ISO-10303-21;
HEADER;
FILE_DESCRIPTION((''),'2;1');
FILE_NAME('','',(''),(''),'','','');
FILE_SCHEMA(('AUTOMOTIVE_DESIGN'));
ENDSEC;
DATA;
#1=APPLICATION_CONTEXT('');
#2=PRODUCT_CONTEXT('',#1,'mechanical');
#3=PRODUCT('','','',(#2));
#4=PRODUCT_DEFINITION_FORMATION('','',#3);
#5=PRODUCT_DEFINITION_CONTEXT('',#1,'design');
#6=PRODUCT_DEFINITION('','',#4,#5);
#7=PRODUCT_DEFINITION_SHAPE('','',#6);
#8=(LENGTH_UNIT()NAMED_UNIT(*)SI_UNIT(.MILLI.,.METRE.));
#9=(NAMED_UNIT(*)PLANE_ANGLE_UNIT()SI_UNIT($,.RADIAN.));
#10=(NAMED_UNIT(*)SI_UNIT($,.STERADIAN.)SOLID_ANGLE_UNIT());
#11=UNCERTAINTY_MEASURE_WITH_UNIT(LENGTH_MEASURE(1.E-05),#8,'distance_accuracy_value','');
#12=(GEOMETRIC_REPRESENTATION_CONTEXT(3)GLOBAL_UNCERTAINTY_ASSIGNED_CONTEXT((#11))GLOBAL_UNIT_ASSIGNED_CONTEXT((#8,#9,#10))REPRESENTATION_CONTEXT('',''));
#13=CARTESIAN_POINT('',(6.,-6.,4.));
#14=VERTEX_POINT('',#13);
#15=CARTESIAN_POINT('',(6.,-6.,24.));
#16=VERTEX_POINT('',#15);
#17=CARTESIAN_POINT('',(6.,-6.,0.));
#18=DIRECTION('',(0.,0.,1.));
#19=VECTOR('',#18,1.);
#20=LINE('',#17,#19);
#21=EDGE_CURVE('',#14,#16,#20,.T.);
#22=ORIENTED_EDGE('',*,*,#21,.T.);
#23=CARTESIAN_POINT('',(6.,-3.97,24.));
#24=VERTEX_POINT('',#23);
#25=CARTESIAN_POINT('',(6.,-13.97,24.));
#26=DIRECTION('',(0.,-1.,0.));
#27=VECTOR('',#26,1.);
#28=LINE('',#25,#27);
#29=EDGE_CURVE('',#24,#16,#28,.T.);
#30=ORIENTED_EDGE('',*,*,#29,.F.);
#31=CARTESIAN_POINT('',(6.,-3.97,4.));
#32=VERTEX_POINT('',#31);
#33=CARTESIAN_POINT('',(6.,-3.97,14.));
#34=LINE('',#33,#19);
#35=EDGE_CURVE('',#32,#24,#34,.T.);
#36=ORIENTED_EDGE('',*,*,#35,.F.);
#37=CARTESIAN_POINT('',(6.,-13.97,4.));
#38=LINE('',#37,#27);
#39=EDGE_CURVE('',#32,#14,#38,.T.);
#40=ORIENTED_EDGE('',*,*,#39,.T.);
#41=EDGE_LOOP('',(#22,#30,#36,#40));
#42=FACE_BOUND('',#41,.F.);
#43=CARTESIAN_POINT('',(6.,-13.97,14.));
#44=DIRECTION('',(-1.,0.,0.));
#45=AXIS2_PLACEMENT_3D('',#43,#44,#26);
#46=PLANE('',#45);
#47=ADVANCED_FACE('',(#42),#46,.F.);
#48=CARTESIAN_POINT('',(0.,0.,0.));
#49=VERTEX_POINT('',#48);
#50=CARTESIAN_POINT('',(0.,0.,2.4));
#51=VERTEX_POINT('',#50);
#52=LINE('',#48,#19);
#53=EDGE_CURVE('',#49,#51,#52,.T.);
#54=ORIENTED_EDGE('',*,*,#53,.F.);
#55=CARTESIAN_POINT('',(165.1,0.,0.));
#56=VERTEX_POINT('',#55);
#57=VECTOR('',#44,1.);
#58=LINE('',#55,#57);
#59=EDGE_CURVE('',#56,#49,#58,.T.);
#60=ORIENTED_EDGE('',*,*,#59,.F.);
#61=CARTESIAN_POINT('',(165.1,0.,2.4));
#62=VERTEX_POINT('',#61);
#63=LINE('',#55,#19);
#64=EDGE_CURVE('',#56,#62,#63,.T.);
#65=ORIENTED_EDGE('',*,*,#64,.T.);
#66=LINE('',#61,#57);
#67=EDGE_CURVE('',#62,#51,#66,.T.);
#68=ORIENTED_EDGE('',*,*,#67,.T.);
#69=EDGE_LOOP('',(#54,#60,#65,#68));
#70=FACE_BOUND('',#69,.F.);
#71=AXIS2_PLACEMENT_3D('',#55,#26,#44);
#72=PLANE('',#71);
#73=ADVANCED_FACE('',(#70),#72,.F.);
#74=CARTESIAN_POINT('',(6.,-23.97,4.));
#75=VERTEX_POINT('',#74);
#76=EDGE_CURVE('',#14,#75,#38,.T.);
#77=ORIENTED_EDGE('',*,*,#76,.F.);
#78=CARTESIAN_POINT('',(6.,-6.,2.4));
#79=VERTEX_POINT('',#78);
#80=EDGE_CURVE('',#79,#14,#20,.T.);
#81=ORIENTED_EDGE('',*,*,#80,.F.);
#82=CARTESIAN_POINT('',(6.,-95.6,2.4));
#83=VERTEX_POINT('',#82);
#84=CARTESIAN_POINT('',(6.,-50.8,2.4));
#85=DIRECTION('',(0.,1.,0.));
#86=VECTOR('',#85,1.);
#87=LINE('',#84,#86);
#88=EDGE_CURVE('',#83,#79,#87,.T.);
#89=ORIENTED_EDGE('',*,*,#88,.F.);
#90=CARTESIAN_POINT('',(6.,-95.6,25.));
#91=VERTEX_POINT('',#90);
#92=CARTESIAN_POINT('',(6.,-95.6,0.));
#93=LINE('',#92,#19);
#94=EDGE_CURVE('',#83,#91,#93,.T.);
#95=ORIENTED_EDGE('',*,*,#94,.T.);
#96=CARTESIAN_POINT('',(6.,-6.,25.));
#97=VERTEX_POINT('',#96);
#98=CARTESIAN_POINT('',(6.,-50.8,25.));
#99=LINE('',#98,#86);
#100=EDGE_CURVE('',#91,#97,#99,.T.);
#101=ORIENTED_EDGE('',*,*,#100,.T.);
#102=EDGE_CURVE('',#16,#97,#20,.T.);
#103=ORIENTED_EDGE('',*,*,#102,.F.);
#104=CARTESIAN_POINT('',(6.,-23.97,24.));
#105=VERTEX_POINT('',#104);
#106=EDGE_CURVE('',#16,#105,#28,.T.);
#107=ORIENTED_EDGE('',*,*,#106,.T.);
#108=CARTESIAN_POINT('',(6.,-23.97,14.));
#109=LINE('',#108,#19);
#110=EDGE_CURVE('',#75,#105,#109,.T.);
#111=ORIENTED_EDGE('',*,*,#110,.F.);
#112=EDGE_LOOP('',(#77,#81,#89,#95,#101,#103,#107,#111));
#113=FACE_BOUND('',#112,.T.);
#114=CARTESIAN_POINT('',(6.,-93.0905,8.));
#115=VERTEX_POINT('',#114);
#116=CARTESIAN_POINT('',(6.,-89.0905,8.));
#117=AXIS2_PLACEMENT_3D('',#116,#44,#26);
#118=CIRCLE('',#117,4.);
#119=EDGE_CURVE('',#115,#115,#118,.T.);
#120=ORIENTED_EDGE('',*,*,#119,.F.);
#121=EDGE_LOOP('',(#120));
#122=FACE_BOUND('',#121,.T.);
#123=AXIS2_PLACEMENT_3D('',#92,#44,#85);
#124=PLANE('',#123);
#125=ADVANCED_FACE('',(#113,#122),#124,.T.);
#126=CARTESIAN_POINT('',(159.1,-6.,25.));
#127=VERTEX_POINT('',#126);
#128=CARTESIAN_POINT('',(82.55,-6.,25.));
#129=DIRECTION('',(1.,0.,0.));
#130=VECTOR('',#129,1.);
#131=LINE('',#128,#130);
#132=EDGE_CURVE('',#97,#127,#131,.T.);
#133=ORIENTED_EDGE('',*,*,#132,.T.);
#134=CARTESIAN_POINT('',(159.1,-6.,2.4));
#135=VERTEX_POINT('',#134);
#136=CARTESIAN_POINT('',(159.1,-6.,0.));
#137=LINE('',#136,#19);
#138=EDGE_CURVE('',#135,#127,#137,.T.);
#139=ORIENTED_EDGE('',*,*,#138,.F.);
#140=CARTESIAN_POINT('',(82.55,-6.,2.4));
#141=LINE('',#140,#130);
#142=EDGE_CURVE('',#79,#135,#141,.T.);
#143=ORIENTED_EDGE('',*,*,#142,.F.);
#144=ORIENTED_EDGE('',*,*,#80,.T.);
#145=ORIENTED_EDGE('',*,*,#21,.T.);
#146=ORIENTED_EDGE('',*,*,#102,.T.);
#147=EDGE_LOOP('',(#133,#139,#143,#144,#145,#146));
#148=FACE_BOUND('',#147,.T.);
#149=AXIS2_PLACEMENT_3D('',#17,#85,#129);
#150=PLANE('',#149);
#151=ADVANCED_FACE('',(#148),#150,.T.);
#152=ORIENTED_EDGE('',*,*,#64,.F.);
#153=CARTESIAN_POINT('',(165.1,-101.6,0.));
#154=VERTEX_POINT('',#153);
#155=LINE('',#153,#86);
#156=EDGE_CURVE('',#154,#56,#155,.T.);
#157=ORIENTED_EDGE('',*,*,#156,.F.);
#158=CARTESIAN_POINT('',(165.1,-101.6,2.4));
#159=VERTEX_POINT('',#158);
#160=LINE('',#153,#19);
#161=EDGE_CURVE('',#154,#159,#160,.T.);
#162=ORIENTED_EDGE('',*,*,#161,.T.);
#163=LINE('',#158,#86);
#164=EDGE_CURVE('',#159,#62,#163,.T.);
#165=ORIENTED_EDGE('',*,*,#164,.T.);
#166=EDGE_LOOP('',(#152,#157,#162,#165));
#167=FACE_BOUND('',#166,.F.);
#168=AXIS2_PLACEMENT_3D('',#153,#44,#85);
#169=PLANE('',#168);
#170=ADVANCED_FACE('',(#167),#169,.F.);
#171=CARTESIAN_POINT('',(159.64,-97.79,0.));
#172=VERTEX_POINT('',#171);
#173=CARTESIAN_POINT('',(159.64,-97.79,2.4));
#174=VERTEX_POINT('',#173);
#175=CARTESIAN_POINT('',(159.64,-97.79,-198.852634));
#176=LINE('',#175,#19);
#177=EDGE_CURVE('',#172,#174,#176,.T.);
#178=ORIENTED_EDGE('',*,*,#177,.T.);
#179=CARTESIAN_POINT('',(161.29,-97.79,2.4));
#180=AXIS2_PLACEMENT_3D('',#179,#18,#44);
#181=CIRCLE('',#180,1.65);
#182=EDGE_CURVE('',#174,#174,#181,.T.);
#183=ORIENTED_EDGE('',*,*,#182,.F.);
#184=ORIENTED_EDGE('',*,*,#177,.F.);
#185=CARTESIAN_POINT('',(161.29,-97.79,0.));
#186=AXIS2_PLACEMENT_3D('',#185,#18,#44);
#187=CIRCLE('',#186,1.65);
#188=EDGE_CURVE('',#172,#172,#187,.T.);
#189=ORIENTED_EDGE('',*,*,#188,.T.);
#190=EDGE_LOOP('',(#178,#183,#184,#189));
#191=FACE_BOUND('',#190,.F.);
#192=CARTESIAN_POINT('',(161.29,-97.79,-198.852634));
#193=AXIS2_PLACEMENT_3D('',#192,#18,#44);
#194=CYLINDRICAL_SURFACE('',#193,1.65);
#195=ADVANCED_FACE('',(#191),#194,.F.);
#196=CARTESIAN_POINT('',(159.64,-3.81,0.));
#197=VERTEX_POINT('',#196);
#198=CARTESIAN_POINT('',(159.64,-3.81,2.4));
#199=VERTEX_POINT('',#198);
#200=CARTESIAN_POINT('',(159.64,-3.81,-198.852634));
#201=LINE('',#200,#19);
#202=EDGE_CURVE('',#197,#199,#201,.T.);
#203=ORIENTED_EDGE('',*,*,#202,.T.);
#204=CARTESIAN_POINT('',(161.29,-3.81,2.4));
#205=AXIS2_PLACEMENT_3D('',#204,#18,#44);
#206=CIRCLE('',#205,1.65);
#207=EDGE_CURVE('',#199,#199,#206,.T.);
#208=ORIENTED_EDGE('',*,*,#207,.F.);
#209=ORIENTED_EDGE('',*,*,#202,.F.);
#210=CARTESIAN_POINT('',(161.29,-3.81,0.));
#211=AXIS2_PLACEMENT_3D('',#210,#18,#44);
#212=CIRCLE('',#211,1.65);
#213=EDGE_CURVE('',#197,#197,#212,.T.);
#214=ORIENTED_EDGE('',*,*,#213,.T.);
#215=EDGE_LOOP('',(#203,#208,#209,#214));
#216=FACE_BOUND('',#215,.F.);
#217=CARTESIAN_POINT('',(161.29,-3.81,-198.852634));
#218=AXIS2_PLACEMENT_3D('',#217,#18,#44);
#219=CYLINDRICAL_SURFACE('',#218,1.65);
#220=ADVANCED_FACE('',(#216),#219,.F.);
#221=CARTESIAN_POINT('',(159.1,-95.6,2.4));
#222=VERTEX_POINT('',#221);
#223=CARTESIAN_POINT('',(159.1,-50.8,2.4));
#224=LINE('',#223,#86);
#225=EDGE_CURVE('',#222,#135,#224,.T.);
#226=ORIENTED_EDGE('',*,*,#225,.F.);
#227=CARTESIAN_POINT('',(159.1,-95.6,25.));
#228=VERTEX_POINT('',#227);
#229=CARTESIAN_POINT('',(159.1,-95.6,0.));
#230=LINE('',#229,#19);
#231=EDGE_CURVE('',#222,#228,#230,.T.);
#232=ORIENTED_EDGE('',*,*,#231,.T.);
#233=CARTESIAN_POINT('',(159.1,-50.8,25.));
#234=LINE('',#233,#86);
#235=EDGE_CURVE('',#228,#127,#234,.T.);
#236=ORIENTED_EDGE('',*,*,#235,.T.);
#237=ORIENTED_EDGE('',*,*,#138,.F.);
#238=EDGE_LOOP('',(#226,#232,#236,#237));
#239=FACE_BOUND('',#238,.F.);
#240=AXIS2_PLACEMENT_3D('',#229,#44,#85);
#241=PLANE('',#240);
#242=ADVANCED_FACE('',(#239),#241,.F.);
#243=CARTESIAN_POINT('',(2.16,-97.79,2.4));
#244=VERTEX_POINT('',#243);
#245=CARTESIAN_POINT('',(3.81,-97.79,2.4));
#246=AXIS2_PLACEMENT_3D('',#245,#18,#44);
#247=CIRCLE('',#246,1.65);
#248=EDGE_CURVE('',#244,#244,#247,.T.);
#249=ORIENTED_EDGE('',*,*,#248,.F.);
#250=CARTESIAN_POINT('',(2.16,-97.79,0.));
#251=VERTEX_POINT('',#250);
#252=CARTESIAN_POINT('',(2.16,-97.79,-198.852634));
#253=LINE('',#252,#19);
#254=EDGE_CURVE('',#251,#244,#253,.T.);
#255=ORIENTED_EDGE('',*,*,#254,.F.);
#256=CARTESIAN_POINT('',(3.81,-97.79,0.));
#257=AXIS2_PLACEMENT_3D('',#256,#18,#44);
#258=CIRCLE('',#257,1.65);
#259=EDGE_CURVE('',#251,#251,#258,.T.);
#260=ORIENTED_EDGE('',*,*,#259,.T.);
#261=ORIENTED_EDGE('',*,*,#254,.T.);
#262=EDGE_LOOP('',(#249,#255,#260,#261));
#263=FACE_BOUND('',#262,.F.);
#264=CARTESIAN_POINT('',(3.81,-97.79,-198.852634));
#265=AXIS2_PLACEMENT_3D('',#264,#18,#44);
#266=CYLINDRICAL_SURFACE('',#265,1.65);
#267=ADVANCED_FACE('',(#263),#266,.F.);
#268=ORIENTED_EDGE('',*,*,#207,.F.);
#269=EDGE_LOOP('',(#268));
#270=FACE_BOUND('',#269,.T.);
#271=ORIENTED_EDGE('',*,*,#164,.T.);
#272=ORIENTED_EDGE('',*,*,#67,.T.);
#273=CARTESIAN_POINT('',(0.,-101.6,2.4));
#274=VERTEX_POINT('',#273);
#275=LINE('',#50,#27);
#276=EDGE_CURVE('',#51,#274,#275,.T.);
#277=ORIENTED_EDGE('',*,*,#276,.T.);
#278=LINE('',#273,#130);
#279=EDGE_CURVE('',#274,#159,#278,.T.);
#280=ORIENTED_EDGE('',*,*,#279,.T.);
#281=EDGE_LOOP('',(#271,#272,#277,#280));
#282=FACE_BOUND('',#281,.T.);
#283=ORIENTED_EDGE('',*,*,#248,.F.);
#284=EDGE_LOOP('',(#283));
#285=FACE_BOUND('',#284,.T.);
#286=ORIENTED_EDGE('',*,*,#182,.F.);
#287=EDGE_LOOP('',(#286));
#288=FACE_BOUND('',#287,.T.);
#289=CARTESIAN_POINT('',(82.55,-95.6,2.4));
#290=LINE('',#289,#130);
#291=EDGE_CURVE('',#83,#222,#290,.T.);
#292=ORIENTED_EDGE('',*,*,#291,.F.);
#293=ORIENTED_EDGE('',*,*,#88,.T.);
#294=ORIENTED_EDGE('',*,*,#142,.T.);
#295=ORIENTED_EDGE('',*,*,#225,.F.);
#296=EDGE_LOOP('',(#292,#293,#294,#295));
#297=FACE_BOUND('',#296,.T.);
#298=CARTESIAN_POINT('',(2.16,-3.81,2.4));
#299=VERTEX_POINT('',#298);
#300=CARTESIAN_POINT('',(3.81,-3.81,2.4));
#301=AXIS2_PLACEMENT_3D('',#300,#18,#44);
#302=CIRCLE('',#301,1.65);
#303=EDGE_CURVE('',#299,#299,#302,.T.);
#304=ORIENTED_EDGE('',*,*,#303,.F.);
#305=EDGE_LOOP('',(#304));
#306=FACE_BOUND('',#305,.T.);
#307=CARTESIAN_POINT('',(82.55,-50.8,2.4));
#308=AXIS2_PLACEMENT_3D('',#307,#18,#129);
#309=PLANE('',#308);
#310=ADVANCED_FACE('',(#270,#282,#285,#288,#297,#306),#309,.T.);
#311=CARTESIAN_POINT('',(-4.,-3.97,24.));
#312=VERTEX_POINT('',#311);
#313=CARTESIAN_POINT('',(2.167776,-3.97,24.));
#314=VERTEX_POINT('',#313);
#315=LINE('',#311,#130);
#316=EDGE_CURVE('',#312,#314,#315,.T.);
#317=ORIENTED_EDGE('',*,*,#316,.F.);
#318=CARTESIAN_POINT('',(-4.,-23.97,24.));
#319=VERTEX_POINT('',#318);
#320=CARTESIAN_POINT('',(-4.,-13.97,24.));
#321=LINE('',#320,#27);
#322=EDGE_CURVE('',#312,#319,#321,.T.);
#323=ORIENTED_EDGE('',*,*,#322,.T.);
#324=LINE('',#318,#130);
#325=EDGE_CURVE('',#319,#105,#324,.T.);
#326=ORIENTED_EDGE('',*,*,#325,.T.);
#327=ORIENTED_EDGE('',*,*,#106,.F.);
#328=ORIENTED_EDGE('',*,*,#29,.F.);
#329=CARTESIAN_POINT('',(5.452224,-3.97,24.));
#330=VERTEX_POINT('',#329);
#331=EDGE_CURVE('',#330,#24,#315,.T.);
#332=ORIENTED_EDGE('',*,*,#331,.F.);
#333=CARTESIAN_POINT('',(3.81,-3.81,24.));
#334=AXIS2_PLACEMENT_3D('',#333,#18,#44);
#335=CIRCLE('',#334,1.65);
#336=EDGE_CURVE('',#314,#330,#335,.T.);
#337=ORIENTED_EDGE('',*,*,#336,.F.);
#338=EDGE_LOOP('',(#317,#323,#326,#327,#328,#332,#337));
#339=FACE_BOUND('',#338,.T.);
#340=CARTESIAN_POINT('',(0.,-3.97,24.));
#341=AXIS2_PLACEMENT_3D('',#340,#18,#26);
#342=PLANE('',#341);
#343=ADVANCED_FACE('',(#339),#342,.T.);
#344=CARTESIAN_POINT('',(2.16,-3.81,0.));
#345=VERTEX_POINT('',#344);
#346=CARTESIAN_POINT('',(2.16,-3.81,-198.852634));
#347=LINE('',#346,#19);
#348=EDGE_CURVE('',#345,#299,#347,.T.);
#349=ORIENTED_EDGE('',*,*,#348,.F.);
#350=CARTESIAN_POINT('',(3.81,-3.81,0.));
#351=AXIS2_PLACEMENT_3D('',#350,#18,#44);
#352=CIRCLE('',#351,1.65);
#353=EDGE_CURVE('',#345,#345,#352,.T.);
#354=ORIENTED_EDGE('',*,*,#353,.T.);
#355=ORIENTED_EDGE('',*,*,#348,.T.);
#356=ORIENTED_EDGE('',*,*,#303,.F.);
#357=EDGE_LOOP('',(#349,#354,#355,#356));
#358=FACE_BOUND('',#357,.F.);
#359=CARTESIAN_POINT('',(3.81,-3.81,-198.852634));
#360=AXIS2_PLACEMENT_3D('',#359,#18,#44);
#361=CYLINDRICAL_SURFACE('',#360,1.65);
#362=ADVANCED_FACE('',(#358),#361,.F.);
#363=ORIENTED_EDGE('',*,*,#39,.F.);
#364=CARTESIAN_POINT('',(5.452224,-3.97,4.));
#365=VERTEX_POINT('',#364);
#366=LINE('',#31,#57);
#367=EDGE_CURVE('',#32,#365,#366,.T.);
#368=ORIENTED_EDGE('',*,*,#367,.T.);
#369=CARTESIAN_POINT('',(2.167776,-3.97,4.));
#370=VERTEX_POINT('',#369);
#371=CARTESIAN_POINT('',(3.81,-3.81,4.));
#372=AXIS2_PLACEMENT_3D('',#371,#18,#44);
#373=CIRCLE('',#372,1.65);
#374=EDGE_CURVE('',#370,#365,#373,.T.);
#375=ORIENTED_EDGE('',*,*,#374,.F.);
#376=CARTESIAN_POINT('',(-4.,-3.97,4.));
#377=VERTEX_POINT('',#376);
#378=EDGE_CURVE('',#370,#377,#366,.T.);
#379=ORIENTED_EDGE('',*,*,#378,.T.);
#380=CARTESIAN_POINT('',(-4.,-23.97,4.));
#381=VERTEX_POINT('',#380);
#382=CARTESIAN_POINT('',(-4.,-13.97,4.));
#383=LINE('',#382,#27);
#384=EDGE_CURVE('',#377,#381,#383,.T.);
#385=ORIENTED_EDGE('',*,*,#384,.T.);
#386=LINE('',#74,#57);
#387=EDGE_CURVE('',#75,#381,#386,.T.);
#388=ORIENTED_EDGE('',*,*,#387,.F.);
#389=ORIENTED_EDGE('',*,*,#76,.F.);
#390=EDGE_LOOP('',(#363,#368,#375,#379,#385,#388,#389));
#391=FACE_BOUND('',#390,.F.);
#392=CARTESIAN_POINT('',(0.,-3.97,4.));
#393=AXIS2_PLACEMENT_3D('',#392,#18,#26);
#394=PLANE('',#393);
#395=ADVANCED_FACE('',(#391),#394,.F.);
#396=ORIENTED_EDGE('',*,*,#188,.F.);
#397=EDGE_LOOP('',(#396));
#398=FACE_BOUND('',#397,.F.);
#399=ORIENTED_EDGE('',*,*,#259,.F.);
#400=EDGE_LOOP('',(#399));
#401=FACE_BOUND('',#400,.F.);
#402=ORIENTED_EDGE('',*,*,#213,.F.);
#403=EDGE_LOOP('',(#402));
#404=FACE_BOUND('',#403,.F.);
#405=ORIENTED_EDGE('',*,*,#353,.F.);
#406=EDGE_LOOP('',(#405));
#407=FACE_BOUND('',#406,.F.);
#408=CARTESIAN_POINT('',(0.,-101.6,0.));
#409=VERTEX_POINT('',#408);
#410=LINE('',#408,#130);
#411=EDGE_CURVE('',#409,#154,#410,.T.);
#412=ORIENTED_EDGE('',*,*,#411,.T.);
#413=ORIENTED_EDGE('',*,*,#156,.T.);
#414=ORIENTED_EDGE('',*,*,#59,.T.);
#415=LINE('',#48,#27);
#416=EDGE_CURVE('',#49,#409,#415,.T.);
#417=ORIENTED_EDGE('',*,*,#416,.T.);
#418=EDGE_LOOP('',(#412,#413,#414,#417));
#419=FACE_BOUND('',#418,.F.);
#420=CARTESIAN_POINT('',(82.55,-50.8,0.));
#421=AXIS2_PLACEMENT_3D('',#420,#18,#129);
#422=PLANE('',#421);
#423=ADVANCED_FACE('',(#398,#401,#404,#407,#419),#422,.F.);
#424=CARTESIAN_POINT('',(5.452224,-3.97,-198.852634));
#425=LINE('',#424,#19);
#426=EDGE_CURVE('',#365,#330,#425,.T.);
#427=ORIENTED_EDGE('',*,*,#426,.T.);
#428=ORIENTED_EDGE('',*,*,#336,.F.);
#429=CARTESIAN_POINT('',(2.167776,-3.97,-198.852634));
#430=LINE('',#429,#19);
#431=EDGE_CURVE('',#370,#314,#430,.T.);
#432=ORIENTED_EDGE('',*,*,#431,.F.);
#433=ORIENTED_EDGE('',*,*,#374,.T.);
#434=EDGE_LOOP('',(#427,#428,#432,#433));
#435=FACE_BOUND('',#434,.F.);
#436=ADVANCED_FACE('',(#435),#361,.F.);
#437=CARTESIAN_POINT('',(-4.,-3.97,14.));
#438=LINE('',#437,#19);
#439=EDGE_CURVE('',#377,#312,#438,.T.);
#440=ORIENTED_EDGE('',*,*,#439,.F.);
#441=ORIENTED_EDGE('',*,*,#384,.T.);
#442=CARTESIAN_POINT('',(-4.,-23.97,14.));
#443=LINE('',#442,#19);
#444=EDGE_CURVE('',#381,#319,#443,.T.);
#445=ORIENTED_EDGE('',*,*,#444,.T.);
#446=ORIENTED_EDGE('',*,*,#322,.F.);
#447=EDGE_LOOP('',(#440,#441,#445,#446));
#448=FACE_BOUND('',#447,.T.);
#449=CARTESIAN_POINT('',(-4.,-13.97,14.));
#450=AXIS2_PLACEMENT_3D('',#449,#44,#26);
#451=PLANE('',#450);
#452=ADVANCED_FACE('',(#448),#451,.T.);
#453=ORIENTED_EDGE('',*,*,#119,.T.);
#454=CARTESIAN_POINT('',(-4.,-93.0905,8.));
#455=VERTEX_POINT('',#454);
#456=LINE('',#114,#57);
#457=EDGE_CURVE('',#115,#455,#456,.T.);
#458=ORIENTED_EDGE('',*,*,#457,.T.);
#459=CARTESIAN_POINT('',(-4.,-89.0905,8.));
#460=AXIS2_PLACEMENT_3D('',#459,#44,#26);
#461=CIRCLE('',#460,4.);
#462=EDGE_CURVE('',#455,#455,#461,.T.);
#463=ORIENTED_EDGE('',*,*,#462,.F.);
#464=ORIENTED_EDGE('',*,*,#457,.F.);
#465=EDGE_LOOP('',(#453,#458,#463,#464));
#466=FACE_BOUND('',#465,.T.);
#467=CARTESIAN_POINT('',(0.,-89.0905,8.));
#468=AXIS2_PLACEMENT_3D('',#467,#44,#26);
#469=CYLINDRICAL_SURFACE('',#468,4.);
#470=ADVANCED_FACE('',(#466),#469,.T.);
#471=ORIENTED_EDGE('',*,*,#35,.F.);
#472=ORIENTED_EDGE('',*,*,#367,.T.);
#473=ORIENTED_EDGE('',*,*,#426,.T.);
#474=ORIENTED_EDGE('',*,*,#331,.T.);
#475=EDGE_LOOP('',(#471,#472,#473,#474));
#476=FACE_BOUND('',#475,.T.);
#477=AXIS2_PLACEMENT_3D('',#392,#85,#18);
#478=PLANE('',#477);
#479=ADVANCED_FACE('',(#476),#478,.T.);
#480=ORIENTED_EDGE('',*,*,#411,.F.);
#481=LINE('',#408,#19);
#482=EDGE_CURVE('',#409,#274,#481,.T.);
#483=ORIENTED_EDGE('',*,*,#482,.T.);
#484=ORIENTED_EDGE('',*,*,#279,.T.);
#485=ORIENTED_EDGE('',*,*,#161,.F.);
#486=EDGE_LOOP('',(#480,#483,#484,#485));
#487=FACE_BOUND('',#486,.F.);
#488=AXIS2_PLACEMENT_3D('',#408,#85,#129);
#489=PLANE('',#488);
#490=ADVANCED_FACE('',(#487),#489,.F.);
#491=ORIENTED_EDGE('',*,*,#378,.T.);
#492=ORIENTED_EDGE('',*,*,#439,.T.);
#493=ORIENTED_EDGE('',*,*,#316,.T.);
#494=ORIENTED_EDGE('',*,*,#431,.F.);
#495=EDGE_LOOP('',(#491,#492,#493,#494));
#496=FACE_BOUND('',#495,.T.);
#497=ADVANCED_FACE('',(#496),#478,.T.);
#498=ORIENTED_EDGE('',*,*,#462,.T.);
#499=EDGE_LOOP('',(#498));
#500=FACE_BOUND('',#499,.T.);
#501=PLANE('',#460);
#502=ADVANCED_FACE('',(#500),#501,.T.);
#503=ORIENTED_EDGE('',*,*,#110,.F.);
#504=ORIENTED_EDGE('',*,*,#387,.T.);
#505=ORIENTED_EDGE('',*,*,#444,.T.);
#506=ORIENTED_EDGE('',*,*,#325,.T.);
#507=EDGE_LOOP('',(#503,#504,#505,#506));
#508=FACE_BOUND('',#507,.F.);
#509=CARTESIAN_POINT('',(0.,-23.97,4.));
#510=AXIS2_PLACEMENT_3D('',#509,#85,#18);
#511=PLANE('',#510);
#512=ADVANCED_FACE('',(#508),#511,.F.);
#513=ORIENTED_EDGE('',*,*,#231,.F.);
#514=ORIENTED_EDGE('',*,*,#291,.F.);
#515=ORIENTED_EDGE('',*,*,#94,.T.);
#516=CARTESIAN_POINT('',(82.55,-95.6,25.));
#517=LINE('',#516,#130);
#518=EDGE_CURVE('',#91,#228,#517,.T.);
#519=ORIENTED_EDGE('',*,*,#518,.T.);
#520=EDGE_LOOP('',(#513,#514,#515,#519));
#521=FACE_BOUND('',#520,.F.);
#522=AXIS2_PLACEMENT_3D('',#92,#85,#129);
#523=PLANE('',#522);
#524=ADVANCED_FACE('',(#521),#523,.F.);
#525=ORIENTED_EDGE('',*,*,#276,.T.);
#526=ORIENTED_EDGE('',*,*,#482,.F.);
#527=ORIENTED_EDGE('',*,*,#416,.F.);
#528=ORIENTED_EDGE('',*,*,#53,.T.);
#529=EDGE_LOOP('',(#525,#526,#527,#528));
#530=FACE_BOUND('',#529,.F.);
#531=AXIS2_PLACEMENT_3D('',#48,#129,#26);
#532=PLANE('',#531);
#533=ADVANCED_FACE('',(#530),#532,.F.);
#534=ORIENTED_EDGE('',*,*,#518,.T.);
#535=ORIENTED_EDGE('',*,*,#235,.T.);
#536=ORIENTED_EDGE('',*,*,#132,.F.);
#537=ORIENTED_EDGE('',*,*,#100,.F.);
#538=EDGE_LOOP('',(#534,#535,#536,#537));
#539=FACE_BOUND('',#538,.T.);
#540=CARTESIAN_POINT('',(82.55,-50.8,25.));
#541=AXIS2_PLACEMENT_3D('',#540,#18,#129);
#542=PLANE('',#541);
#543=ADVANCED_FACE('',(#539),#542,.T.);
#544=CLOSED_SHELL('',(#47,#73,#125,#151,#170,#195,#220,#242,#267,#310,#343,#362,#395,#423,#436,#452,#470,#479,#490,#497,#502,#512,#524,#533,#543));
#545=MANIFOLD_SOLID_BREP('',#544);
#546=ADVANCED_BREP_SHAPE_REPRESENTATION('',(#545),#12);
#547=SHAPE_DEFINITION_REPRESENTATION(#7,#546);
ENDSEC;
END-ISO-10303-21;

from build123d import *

# Parameters (mm, degrees)
F0_W          = 153.1
F0_H          = 89.6
F1_DEPTH      = 2.4
F2_DEPTH      = 25
F3_W          = 20
F3_H          = 20
F3_R          = 4
F4_DEPTH      = 6
F4_DEPTH_BACK = 4
F5_D          = 3.3


with BuildPart() as f1:
    # F0 (on Top) → F1 (new body)
    with BuildSketch(Plane.XY):
        Polygon((165.1, 0), (0, 0), (0, -7.62), (0, -20.32), (0, -86.995), (0, -91.186), (0, -101.6), (165.1, -101.6), align=None)
        with Locations((82.55, -50.8)):
            Rectangle(F0_W, F0_H, mode=Mode.SUBTRACT)
    extrude(amount=F1_DEPTH)

    # F0 (on Top) → F2 (join)
    with BuildSketch(Plane.XY):
        with Locations((82.55, -50.8)):
            Rectangle(F0_W, F0_H)
    extrude(amount=F2_DEPTH)

    # F3 (on face) → F4 (join, two sides)
    with BuildSketch(Plane(origin=(0, 0, 0), x_dir=(0, -1, 0), z_dir=(-1, 0, 0))) as f4_sk:
        with Locations((13.97, 14)):
            Rectangle(F3_W, F3_H)
        with Locations((89.0905, 8)):
            Circle(F3_R)
    extrude(amount=-F4_DEPTH)
    extrude(f4_sk.sketch, amount=F4_DEPTH_BACK)

    # F5 (through all)
    with Locations(Plane(origin=(0, 0, 0), x_dir=(1, 0, 0), z_dir=(0, 0, -1))):
        with Locations((3.81, 3.81), (3.81, 97.79), (161.29, 97.79), (161.29, 3.81)):
            Hole(F5_D / 2)


solid = f1.part
